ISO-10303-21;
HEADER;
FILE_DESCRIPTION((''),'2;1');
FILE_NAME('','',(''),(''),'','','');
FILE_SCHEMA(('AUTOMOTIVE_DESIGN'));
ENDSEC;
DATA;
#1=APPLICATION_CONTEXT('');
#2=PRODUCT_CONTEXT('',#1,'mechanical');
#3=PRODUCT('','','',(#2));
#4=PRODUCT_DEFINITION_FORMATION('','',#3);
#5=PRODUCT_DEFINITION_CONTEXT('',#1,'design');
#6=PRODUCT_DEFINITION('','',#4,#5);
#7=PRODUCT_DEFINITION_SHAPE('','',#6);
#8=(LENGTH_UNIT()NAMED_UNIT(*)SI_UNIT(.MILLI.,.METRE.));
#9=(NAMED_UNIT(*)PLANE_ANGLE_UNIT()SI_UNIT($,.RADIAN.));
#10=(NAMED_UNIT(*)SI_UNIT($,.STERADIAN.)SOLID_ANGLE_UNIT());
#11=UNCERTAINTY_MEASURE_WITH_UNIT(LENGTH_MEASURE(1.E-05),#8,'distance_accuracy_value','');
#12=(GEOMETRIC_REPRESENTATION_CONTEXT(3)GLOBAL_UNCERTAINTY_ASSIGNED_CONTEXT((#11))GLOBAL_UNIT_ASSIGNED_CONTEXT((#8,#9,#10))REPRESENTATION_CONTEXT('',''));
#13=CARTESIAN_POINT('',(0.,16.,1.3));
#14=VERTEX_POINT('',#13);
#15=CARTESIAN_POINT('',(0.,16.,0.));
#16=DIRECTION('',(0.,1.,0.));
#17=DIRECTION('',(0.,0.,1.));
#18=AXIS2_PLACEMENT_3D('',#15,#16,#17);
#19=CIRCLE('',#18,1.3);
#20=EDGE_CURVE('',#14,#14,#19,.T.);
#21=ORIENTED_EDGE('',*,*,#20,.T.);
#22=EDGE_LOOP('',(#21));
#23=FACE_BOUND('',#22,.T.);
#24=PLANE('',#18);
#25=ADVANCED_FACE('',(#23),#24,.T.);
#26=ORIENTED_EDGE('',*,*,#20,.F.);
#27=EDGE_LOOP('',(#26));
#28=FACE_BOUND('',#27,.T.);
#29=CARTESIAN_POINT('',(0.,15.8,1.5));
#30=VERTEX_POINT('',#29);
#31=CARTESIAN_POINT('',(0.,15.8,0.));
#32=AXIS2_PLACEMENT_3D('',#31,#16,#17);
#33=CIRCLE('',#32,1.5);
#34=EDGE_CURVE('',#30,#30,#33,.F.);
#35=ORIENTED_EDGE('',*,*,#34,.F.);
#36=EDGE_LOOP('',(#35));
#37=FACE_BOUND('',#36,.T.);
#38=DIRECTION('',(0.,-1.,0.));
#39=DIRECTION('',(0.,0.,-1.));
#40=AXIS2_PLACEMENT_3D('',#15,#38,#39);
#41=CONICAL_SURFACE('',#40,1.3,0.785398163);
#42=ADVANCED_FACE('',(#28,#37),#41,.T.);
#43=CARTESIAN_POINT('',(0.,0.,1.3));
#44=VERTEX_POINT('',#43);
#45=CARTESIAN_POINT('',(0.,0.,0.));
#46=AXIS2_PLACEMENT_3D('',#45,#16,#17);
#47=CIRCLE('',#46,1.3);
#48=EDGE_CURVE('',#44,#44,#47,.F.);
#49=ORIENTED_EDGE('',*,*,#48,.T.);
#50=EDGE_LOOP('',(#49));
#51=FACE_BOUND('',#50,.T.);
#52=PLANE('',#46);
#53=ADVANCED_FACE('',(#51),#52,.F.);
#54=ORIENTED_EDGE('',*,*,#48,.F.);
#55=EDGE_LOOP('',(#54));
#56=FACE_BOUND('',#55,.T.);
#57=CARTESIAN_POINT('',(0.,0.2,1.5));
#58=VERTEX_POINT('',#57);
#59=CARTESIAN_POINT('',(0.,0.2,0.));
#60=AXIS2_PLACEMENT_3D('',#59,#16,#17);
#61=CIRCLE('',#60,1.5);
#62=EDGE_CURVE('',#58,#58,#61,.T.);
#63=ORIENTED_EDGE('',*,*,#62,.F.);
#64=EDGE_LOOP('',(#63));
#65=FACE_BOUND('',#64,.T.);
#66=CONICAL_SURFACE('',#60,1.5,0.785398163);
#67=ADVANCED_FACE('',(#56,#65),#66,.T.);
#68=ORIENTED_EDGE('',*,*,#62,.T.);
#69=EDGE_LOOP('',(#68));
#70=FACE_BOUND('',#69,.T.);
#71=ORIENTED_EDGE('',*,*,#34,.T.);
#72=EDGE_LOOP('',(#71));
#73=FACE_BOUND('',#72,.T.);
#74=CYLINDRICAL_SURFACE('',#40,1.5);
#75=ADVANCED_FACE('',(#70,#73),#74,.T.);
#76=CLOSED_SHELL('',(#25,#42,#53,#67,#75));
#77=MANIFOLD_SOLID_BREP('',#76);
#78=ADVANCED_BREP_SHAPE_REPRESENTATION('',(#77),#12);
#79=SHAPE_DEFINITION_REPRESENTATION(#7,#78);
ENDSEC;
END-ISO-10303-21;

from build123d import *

# Parameters (mm, degrees)
SKETCH_1_R      = 1.5
EXTRUDE_1_DEPTH = 16
CHAMFER_1_SIZE  = 0.2


with BuildPart() as part:
    # 草图1 → 凸台-拉伸1 (new body)
    with BuildSketch(Plane(origin=(0, 0, 0), x_dir=(1, 0, 0), z_dir=(0, 1, 0))):
        Circle(SKETCH_1_R)
    extrude(amount=EXTRUDE_1_DEPTH)

    # 倒角1
    chamfer_1_edges = [part.edges().sort_by_distance(p)[0] for p in [
        (-1.5, 0, 0),
        (-1.5, 16, 0),
    ]]
    chamfer(chamfer_1_edges, length=CHAMFER_1_SIZE)


solid = part.part
